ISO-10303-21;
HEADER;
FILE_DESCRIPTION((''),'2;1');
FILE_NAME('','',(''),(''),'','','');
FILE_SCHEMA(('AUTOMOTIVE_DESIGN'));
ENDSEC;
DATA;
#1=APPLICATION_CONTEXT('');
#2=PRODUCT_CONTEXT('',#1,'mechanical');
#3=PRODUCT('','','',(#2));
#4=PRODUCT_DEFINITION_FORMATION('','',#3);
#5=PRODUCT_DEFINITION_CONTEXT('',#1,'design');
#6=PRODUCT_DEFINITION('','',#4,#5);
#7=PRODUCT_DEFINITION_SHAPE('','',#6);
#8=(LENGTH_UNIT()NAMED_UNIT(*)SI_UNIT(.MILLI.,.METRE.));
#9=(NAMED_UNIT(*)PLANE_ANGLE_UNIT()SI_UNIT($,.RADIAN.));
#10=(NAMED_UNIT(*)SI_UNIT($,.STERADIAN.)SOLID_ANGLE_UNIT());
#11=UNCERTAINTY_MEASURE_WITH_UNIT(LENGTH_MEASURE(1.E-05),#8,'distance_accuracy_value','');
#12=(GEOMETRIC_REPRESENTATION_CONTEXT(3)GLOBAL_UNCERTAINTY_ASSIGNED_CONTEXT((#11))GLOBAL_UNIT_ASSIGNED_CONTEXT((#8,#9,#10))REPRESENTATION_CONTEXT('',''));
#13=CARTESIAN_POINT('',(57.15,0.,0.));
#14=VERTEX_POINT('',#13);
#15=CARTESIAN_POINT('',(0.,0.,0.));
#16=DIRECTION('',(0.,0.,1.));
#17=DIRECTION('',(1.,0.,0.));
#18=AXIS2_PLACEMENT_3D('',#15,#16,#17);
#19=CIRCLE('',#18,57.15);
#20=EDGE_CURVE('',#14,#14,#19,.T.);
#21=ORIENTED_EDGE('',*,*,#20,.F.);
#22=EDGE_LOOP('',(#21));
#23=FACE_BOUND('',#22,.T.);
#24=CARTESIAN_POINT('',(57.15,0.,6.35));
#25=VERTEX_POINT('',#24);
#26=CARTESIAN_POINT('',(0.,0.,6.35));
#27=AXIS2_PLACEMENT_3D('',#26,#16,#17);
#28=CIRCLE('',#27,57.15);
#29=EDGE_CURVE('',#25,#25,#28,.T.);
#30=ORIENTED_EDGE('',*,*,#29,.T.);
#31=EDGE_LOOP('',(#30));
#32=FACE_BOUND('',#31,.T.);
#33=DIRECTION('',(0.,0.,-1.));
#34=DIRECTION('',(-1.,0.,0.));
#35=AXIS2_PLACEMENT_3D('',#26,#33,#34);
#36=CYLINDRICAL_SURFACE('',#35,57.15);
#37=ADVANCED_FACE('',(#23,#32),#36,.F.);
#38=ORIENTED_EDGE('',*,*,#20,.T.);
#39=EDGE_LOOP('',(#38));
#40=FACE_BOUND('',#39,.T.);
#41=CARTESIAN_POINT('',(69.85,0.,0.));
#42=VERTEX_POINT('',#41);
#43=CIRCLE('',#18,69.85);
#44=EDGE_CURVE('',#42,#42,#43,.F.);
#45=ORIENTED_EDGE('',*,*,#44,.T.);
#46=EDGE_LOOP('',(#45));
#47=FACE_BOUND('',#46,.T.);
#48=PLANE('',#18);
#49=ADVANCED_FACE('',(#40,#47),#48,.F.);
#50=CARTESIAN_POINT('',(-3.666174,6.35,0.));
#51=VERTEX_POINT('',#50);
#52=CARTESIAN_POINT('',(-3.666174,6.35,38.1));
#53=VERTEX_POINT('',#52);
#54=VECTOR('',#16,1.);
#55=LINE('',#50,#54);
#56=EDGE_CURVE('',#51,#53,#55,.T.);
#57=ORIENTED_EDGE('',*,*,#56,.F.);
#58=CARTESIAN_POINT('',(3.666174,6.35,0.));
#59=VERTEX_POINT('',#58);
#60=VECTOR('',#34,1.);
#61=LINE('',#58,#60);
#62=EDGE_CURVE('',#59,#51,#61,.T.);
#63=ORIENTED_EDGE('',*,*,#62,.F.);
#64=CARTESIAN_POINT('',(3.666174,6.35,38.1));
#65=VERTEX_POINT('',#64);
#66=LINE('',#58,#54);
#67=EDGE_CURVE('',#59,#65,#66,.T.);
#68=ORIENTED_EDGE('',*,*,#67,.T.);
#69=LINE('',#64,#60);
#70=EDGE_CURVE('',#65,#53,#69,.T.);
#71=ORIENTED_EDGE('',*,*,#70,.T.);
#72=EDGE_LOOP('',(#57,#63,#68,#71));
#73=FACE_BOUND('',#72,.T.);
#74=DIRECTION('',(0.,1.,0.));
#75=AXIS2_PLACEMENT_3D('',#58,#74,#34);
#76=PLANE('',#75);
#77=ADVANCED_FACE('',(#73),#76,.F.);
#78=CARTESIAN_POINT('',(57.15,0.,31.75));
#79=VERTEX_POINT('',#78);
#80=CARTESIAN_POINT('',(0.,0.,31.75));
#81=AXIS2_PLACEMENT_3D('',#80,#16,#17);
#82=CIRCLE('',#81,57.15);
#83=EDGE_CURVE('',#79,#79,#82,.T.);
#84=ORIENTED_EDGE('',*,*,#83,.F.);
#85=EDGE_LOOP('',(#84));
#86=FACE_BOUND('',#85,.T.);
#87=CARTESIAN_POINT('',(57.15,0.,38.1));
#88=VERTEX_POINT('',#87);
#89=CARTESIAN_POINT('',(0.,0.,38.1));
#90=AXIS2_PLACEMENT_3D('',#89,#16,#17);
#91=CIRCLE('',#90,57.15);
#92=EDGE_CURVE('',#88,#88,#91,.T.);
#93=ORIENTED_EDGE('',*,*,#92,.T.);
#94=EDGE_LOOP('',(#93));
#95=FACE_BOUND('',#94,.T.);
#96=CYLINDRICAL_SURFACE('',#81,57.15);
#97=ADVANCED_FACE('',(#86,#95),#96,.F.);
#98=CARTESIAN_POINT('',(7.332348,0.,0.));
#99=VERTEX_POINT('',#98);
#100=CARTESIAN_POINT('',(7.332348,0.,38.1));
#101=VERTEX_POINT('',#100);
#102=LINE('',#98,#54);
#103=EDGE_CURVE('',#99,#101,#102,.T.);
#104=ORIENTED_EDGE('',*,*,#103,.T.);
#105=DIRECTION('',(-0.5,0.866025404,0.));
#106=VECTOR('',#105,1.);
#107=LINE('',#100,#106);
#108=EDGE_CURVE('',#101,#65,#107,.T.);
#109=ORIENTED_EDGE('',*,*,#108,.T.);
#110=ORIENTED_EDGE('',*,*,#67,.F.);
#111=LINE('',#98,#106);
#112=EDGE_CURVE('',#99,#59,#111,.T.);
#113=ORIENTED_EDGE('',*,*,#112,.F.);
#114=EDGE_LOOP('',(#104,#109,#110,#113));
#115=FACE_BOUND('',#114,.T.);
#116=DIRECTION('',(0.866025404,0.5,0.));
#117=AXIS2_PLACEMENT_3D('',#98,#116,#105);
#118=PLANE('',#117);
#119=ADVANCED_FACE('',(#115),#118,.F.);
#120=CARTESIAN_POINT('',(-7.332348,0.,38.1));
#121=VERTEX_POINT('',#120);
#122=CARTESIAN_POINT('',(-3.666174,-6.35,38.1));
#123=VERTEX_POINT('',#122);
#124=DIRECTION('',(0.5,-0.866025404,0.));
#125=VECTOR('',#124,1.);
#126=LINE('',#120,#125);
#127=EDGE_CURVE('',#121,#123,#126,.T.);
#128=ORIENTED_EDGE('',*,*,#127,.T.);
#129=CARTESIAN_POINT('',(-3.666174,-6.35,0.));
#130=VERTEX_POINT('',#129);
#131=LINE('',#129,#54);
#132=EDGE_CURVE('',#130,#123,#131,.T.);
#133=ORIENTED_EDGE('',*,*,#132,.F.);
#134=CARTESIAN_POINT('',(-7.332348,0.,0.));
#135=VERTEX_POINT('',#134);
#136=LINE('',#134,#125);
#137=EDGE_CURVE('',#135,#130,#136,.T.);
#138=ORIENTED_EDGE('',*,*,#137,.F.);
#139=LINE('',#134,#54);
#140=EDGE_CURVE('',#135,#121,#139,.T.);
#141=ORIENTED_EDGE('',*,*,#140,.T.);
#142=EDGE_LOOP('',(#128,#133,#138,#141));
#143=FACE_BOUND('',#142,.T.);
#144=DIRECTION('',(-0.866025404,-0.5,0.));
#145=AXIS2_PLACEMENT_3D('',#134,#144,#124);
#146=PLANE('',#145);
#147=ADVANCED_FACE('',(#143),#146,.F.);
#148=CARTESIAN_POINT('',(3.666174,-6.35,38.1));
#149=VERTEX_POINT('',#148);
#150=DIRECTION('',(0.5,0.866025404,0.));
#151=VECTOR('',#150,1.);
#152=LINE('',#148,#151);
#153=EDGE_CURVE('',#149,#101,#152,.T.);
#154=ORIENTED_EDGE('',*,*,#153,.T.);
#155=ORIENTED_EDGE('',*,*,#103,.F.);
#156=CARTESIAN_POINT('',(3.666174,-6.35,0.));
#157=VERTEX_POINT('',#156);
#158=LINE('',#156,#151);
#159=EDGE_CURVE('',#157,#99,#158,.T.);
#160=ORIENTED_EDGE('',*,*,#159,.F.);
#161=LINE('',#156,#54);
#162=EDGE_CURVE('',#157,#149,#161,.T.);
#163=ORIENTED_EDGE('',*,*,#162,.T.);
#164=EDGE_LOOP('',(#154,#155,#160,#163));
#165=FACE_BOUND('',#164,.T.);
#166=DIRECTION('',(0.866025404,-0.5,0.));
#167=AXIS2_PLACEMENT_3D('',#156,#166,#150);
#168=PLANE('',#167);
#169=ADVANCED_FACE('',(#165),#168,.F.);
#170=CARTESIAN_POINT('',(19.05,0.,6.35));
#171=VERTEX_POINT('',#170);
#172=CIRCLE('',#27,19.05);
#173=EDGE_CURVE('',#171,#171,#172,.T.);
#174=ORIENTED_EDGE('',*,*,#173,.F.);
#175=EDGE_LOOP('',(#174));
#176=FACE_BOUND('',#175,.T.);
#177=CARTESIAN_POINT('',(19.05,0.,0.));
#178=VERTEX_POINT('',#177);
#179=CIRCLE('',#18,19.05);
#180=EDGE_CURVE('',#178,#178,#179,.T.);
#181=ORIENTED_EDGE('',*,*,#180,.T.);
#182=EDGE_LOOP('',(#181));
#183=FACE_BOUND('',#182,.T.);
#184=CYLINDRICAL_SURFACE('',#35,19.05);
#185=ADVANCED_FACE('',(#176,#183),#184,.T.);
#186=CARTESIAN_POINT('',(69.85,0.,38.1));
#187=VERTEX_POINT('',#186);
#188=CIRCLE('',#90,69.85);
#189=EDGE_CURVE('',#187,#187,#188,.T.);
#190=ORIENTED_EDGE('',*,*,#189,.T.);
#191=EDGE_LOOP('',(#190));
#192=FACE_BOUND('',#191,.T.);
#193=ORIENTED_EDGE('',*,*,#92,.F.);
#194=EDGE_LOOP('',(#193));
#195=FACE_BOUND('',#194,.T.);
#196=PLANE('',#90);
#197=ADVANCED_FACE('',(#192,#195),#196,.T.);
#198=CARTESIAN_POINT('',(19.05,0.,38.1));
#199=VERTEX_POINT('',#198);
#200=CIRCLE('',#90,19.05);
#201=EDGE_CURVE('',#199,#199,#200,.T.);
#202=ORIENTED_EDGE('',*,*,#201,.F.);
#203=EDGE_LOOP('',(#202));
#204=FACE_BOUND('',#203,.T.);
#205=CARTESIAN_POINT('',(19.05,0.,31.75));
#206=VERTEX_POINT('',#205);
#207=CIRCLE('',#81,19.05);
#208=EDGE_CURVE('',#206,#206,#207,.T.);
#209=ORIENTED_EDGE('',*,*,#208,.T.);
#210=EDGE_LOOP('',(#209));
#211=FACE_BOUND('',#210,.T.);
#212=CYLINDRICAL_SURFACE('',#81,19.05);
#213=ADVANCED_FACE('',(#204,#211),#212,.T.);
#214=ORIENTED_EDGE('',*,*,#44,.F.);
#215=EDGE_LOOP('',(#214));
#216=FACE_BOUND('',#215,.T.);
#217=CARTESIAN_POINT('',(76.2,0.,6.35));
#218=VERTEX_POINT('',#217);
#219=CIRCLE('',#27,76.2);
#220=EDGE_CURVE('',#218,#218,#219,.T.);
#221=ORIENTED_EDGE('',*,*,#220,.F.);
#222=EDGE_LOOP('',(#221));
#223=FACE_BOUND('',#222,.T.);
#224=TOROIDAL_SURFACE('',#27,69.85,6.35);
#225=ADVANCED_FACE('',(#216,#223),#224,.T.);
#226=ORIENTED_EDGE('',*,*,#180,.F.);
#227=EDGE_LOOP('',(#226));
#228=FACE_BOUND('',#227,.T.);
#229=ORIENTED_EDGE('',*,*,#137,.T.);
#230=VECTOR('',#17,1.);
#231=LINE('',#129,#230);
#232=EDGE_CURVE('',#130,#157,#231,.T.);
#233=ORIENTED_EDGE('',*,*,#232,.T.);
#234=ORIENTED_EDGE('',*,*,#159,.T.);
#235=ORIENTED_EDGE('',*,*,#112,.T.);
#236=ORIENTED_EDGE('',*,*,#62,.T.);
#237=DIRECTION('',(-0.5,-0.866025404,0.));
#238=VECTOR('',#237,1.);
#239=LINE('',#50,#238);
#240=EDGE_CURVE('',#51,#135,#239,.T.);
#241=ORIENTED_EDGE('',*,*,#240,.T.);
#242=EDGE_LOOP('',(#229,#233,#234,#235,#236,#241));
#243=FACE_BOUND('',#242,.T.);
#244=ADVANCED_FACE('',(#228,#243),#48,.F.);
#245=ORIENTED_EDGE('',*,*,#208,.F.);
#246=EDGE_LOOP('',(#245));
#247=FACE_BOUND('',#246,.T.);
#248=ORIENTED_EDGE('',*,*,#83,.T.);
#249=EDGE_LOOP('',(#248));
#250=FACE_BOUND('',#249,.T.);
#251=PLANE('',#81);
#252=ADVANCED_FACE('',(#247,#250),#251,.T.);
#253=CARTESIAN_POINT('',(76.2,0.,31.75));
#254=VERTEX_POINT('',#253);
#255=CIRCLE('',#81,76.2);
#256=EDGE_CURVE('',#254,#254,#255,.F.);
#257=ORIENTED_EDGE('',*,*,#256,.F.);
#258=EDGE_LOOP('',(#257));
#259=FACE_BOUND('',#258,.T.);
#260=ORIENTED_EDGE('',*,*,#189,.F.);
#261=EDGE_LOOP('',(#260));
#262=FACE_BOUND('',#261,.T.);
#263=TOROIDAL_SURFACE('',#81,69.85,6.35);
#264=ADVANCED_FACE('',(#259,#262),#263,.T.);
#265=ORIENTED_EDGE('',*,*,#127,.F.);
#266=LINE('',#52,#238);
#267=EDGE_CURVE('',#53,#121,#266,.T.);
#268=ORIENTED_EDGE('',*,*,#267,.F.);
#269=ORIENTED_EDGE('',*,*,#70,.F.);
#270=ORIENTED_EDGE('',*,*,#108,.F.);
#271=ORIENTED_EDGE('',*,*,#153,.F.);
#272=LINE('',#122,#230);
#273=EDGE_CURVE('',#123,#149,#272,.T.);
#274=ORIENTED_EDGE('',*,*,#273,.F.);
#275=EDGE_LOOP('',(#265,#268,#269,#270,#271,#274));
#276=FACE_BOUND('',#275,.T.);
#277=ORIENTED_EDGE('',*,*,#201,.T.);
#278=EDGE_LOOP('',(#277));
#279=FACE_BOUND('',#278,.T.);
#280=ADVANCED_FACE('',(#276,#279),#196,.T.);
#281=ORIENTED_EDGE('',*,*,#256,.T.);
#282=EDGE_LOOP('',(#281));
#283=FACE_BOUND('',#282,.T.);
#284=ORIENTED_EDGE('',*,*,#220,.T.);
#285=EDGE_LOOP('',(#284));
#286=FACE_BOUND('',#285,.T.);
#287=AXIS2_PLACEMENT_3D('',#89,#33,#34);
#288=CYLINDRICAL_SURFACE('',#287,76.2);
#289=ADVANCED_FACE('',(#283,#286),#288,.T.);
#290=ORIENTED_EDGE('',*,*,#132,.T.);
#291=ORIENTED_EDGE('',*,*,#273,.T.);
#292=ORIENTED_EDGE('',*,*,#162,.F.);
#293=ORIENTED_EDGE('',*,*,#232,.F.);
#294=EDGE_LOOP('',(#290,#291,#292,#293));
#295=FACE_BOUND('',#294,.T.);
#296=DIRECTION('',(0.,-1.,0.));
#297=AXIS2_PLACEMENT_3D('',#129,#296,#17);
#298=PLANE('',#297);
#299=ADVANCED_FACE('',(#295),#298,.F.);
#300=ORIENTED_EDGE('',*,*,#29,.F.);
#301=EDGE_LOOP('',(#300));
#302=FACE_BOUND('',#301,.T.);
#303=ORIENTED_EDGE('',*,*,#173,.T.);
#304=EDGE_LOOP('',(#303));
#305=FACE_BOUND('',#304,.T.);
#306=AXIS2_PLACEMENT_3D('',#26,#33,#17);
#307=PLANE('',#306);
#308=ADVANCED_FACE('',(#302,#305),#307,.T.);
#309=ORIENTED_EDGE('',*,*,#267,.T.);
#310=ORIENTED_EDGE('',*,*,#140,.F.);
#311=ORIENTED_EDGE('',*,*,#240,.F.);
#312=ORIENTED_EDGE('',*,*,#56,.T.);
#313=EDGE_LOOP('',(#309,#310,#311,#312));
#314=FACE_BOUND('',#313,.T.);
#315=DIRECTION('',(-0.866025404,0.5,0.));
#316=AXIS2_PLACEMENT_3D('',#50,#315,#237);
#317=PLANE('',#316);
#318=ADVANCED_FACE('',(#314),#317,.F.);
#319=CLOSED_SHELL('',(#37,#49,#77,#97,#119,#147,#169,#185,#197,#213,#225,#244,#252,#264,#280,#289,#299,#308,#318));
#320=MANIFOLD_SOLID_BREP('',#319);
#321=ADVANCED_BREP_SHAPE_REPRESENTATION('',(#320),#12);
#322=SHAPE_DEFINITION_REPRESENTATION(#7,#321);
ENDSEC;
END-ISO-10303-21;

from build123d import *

# Parameters (mm, degrees)
SKETCH1_R           = 76.2
BOSS_EXTRUDE1_DEPTH = 38.1
FILLET1_R           = 6.35
CUT_EXTRUDE2_DEPTH  = 39.1
SKETCH3_R           = 57.15
SKETCH3_R_2         = 19.05
CUT_EXTRUDE3_DEPTH  = 6.35


with BuildPart() as part:
    # Sketch1 → Boss-Extrude1 (new body)
    with BuildSketch(Plane.XY):
        Circle(SKETCH1_R)
    extrude(amount=BOSS_EXTRUDE1_DEPTH)

    # Fillet1
    fillet1_edges = [part.edges().sort_by_distance(p)[0] for p in [
        (-76.2, 0, 0),
        (-76.2, 0, 38.1),
    ]]
    fillet(fillet1_edges, radius=FILLET1_R)

    # Sketch2 → Cut-Extrude2 (cut, through all)
    with BuildSketch(Plane.XY.offset(38.1)):
        Polygon((7.332348419, 0), (3.666174209, 6.35), (-3.666174209, 6.35), (-7.332348419, 0), (-3.666174209, -6.35), (3.666174209, -6.35), align=None)
    extrude(amount=-CUT_EXTRUDE2_DEPTH, mode=Mode.SUBTRACT)

    # Sketch3 → Cut-Extrude3 (cut)
    with BuildSketch(Plane.XY.offset(38.1)):
        Circle(SKETCH3_R)
        Circle(SKETCH3_R_2, mode=Mode.SUBTRACT)
    cut_extrude3 = extrude(amount=-CUT_EXTRUDE3_DEPTH, mode=Mode.SUBTRACT)

    # Mirror1: Cut-Extrude3 across plane
    add(cut_extrude3.mirror(Plane.XY.offset(19.05)), mode=Mode.SUBTRACT)


solid = part.part
